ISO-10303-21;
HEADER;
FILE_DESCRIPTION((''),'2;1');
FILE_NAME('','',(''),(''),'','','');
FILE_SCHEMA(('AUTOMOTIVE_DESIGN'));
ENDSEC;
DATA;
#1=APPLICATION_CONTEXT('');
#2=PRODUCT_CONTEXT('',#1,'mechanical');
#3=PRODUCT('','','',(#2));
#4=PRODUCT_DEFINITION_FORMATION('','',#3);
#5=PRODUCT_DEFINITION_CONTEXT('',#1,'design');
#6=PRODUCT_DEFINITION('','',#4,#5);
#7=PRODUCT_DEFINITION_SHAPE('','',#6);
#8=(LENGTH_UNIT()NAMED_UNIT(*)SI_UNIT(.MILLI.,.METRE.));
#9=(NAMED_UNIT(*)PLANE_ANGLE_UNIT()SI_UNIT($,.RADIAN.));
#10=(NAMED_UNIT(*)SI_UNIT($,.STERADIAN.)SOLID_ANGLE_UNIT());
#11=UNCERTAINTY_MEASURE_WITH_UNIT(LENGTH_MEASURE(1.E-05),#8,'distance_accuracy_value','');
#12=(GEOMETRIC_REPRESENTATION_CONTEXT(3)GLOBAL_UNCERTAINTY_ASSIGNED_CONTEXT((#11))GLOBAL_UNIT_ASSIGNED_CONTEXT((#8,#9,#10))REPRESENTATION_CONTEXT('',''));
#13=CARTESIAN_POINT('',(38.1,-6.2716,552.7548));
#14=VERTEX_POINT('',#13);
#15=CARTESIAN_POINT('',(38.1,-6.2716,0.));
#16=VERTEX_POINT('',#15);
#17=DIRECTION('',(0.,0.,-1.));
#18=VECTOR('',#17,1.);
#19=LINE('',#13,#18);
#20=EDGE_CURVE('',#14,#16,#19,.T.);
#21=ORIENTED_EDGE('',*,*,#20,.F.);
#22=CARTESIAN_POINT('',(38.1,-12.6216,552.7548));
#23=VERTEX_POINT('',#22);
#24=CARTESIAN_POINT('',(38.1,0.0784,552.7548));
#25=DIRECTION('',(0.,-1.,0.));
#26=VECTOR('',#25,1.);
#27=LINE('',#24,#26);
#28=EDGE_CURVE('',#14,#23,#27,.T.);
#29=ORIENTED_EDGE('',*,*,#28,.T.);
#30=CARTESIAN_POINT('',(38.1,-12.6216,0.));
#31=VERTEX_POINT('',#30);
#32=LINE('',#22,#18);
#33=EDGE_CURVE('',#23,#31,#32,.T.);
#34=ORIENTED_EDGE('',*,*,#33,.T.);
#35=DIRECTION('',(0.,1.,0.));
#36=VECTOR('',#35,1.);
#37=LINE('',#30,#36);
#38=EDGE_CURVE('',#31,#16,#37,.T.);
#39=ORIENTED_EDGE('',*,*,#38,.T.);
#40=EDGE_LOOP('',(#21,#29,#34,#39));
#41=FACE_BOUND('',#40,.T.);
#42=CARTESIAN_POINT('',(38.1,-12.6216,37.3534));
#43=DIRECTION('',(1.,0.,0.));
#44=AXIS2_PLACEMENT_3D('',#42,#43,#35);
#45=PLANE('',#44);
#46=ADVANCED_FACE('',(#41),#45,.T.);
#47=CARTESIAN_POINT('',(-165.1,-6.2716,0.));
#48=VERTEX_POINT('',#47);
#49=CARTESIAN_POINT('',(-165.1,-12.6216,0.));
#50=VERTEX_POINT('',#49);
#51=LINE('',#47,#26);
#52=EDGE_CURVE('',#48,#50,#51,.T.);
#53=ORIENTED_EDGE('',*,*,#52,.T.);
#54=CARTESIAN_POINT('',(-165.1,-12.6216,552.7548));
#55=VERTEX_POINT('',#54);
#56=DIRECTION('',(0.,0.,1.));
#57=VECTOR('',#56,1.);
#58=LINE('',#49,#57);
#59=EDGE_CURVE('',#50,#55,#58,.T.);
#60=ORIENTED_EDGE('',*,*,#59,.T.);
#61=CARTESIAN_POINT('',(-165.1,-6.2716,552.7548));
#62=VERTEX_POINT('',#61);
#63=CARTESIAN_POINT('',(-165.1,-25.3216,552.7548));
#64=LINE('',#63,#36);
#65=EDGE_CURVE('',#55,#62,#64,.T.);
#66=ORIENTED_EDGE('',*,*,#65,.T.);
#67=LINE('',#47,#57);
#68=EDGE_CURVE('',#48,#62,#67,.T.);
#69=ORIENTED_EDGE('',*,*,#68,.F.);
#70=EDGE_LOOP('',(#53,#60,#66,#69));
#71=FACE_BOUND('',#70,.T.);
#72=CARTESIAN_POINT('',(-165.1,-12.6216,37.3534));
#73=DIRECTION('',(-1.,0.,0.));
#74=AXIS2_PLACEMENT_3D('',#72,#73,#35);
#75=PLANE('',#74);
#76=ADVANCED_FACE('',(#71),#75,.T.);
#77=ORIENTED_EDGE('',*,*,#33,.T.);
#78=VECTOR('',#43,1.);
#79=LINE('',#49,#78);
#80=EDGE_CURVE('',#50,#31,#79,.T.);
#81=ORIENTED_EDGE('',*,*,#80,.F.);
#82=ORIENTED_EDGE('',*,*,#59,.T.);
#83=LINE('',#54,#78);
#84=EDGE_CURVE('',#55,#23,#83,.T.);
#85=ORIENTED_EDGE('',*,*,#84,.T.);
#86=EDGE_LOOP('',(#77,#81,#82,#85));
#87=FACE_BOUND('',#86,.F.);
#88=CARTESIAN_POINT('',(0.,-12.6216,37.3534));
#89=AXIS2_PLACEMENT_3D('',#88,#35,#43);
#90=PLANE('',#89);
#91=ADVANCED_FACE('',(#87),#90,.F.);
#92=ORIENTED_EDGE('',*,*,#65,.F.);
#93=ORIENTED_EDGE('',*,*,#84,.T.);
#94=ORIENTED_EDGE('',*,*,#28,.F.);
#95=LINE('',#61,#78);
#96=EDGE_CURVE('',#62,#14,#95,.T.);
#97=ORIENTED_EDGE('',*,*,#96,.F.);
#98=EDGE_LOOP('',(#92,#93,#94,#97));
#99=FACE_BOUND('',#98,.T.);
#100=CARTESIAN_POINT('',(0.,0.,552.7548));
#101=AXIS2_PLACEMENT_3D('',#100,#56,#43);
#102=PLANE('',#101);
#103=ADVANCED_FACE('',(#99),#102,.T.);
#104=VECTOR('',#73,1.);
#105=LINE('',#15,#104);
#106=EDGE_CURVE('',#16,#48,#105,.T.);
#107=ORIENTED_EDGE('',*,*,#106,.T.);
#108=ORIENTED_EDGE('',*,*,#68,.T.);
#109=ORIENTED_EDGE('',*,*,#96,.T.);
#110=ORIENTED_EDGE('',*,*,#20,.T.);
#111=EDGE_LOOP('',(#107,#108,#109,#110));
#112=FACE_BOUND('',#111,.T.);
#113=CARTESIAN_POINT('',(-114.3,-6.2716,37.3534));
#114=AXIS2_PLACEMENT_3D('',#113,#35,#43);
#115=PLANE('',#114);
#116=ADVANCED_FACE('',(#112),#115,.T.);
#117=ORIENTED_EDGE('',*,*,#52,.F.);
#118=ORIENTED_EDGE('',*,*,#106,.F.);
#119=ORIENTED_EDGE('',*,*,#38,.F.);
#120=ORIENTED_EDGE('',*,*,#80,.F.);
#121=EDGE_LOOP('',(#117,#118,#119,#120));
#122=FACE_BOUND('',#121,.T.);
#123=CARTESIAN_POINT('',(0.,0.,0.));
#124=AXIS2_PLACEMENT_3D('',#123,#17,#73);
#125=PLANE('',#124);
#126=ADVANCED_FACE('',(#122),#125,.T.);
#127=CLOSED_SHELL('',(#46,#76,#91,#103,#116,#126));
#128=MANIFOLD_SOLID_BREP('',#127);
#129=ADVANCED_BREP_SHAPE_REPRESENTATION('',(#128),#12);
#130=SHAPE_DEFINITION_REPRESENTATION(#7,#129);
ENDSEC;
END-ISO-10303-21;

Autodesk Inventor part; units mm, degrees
ref_plane "YZ Plane" through (0, 0, 0) normal (1, 0, 0) x (0, 1, 0)
ref_plane "Work Plane2" through (-165.1, -76.2, 552.7548) normal (0, 0, -1) x (0, 1, 0)
ref_plane "Work Plane3" through (0, 0, 37.3534) normal (0, 0, 1) x (1, 0, 0)
sketch "Sketch1" plane through (0, 0, 37.3534) normal (0, 0, 1) x (1, 0, 0)
  line L0 (-114.3, -6.2716) -> (-12.7, -6.2716) projected
  line L1 (-127, -49.1085) -> (-127, -74.5085) projected
  arc A0 (-127, -74.5085) -> (-114.3, -76.1216) centre (-114.3, -25.3216) ccw projected
  line L2 (-12.7, -76.1216) -> (-114.3, -76.1216) projected
  arc A1 (-12.7, -76.1216) -> (0, -74.5085) centre (-12.7, -25.3216) ccw projected
  line L3 (0, -74.5085) -> (0, -49.1085) projected
  line L4 (0, -49.1085) -> (12.7, -49.1085) projected
  line L5 (12.7, -49.1085) -> (12.7, -69.3157) projected
  arc A2 (12.7, -69.3157) -> (38.1, -25.3216) centre (-12.7, -25.3216) ccw projected
  line L6 (38.1, 0.0784) -> (38.1, -25.3216) projected
  arc A3 (38.1, 0.0784) -> (-38.1, 76.2784) centre (-38.1, 0.0784) ccw projected
  line L7 (-38.1, 76.2784) -> (-12.7, -6.2716) projected
  line L8 (-12.7, -6.2716) -> (-114.3, -6.2716) projected
  line L9 (-114.3, -6.2716) -> (-88.9, 76.2784) projected
  arc A4 (-88.9, 76.2784) -> (-165.1, 0.0784) centre (-88.9, 0.0784) ccw projected
  line L10 (-165.1, -25.3216) -> (-165.1, 0.0784) projected
  arc A5 (-165.1, -25.3216) -> (-139.7, -69.3157) centre (-114.3, -25.3216) ccw projected
  line L11 (-139.7, -69.3157) -> (-139.7, -49.1085) projected
  line L12 (-139.7, -49.1085) -> (-127, -49.1085) projected
  line L13 (38.1, 0.0784) -> (38.1, -25.3216) projected
  line L14 (-63.5, -6.2716) -> (38.1, -6.2716)
  line L15 (-123.5, -12.6216) -> (0, -12.6216) projected
  line L16 (-63.5, -12.6216) -> (38.1, -12.6216)
  line L17 (38.1, -12.6216) -> (38.1, -6.2716)
  line L18 (-63.5, -6.2716) -> (-63.5, -12.6216) construction
  line L19 (-12.7, -6.2716) -> (-114.3, -6.2716)
  line L20 (-63.5, -6.2716) -> (-165.1, -6.2716)
  line L21 (-63.5, -12.6216) -> (-165.1, -12.6216)
  line L22 (-165.1, -12.6216) -> (-165.1, -6.2716)
  point P0 (0, 0)
  point P1 (-165.1, -12.6216)
  point P2 (-123.5, -12.7)
  point P3 (38.1, -6.2716)
  point P4 (-165.1, -6.2716)
extrude "Extrusion1" add sketch "Sketch1" along normal up to surface (515.4014 mm away) contours L0 L14 L6 L16 L15 L21 L10 L20
sketch "Sketch2" plane through (0, 0, 37.3534) normal (0, 0, -1) x (-1, 0, 0)
  line L0 (165.1, -12.6216) -> (-38.1, -12.6216) projected
  line L1 (165.1, -6.2716) -> (165.1, -12.6216) projected
  line L2 (-38.1, -6.2716) -> (165.1, -6.2716) projected
  line L3 (-38.1, -12.6216) -> (-38.1, -6.2716) projected
  point P0 (0, 0)
ref_plane "Work Plane4" through (-165.1, -76.1216, 0) normal (0, 0, 1) x (1, 0, 0)
extrude "Extrusion2" add sketch "Sketch2" along normal up to surface (37.3534 mm away)
properties part number "Payload Plate"
